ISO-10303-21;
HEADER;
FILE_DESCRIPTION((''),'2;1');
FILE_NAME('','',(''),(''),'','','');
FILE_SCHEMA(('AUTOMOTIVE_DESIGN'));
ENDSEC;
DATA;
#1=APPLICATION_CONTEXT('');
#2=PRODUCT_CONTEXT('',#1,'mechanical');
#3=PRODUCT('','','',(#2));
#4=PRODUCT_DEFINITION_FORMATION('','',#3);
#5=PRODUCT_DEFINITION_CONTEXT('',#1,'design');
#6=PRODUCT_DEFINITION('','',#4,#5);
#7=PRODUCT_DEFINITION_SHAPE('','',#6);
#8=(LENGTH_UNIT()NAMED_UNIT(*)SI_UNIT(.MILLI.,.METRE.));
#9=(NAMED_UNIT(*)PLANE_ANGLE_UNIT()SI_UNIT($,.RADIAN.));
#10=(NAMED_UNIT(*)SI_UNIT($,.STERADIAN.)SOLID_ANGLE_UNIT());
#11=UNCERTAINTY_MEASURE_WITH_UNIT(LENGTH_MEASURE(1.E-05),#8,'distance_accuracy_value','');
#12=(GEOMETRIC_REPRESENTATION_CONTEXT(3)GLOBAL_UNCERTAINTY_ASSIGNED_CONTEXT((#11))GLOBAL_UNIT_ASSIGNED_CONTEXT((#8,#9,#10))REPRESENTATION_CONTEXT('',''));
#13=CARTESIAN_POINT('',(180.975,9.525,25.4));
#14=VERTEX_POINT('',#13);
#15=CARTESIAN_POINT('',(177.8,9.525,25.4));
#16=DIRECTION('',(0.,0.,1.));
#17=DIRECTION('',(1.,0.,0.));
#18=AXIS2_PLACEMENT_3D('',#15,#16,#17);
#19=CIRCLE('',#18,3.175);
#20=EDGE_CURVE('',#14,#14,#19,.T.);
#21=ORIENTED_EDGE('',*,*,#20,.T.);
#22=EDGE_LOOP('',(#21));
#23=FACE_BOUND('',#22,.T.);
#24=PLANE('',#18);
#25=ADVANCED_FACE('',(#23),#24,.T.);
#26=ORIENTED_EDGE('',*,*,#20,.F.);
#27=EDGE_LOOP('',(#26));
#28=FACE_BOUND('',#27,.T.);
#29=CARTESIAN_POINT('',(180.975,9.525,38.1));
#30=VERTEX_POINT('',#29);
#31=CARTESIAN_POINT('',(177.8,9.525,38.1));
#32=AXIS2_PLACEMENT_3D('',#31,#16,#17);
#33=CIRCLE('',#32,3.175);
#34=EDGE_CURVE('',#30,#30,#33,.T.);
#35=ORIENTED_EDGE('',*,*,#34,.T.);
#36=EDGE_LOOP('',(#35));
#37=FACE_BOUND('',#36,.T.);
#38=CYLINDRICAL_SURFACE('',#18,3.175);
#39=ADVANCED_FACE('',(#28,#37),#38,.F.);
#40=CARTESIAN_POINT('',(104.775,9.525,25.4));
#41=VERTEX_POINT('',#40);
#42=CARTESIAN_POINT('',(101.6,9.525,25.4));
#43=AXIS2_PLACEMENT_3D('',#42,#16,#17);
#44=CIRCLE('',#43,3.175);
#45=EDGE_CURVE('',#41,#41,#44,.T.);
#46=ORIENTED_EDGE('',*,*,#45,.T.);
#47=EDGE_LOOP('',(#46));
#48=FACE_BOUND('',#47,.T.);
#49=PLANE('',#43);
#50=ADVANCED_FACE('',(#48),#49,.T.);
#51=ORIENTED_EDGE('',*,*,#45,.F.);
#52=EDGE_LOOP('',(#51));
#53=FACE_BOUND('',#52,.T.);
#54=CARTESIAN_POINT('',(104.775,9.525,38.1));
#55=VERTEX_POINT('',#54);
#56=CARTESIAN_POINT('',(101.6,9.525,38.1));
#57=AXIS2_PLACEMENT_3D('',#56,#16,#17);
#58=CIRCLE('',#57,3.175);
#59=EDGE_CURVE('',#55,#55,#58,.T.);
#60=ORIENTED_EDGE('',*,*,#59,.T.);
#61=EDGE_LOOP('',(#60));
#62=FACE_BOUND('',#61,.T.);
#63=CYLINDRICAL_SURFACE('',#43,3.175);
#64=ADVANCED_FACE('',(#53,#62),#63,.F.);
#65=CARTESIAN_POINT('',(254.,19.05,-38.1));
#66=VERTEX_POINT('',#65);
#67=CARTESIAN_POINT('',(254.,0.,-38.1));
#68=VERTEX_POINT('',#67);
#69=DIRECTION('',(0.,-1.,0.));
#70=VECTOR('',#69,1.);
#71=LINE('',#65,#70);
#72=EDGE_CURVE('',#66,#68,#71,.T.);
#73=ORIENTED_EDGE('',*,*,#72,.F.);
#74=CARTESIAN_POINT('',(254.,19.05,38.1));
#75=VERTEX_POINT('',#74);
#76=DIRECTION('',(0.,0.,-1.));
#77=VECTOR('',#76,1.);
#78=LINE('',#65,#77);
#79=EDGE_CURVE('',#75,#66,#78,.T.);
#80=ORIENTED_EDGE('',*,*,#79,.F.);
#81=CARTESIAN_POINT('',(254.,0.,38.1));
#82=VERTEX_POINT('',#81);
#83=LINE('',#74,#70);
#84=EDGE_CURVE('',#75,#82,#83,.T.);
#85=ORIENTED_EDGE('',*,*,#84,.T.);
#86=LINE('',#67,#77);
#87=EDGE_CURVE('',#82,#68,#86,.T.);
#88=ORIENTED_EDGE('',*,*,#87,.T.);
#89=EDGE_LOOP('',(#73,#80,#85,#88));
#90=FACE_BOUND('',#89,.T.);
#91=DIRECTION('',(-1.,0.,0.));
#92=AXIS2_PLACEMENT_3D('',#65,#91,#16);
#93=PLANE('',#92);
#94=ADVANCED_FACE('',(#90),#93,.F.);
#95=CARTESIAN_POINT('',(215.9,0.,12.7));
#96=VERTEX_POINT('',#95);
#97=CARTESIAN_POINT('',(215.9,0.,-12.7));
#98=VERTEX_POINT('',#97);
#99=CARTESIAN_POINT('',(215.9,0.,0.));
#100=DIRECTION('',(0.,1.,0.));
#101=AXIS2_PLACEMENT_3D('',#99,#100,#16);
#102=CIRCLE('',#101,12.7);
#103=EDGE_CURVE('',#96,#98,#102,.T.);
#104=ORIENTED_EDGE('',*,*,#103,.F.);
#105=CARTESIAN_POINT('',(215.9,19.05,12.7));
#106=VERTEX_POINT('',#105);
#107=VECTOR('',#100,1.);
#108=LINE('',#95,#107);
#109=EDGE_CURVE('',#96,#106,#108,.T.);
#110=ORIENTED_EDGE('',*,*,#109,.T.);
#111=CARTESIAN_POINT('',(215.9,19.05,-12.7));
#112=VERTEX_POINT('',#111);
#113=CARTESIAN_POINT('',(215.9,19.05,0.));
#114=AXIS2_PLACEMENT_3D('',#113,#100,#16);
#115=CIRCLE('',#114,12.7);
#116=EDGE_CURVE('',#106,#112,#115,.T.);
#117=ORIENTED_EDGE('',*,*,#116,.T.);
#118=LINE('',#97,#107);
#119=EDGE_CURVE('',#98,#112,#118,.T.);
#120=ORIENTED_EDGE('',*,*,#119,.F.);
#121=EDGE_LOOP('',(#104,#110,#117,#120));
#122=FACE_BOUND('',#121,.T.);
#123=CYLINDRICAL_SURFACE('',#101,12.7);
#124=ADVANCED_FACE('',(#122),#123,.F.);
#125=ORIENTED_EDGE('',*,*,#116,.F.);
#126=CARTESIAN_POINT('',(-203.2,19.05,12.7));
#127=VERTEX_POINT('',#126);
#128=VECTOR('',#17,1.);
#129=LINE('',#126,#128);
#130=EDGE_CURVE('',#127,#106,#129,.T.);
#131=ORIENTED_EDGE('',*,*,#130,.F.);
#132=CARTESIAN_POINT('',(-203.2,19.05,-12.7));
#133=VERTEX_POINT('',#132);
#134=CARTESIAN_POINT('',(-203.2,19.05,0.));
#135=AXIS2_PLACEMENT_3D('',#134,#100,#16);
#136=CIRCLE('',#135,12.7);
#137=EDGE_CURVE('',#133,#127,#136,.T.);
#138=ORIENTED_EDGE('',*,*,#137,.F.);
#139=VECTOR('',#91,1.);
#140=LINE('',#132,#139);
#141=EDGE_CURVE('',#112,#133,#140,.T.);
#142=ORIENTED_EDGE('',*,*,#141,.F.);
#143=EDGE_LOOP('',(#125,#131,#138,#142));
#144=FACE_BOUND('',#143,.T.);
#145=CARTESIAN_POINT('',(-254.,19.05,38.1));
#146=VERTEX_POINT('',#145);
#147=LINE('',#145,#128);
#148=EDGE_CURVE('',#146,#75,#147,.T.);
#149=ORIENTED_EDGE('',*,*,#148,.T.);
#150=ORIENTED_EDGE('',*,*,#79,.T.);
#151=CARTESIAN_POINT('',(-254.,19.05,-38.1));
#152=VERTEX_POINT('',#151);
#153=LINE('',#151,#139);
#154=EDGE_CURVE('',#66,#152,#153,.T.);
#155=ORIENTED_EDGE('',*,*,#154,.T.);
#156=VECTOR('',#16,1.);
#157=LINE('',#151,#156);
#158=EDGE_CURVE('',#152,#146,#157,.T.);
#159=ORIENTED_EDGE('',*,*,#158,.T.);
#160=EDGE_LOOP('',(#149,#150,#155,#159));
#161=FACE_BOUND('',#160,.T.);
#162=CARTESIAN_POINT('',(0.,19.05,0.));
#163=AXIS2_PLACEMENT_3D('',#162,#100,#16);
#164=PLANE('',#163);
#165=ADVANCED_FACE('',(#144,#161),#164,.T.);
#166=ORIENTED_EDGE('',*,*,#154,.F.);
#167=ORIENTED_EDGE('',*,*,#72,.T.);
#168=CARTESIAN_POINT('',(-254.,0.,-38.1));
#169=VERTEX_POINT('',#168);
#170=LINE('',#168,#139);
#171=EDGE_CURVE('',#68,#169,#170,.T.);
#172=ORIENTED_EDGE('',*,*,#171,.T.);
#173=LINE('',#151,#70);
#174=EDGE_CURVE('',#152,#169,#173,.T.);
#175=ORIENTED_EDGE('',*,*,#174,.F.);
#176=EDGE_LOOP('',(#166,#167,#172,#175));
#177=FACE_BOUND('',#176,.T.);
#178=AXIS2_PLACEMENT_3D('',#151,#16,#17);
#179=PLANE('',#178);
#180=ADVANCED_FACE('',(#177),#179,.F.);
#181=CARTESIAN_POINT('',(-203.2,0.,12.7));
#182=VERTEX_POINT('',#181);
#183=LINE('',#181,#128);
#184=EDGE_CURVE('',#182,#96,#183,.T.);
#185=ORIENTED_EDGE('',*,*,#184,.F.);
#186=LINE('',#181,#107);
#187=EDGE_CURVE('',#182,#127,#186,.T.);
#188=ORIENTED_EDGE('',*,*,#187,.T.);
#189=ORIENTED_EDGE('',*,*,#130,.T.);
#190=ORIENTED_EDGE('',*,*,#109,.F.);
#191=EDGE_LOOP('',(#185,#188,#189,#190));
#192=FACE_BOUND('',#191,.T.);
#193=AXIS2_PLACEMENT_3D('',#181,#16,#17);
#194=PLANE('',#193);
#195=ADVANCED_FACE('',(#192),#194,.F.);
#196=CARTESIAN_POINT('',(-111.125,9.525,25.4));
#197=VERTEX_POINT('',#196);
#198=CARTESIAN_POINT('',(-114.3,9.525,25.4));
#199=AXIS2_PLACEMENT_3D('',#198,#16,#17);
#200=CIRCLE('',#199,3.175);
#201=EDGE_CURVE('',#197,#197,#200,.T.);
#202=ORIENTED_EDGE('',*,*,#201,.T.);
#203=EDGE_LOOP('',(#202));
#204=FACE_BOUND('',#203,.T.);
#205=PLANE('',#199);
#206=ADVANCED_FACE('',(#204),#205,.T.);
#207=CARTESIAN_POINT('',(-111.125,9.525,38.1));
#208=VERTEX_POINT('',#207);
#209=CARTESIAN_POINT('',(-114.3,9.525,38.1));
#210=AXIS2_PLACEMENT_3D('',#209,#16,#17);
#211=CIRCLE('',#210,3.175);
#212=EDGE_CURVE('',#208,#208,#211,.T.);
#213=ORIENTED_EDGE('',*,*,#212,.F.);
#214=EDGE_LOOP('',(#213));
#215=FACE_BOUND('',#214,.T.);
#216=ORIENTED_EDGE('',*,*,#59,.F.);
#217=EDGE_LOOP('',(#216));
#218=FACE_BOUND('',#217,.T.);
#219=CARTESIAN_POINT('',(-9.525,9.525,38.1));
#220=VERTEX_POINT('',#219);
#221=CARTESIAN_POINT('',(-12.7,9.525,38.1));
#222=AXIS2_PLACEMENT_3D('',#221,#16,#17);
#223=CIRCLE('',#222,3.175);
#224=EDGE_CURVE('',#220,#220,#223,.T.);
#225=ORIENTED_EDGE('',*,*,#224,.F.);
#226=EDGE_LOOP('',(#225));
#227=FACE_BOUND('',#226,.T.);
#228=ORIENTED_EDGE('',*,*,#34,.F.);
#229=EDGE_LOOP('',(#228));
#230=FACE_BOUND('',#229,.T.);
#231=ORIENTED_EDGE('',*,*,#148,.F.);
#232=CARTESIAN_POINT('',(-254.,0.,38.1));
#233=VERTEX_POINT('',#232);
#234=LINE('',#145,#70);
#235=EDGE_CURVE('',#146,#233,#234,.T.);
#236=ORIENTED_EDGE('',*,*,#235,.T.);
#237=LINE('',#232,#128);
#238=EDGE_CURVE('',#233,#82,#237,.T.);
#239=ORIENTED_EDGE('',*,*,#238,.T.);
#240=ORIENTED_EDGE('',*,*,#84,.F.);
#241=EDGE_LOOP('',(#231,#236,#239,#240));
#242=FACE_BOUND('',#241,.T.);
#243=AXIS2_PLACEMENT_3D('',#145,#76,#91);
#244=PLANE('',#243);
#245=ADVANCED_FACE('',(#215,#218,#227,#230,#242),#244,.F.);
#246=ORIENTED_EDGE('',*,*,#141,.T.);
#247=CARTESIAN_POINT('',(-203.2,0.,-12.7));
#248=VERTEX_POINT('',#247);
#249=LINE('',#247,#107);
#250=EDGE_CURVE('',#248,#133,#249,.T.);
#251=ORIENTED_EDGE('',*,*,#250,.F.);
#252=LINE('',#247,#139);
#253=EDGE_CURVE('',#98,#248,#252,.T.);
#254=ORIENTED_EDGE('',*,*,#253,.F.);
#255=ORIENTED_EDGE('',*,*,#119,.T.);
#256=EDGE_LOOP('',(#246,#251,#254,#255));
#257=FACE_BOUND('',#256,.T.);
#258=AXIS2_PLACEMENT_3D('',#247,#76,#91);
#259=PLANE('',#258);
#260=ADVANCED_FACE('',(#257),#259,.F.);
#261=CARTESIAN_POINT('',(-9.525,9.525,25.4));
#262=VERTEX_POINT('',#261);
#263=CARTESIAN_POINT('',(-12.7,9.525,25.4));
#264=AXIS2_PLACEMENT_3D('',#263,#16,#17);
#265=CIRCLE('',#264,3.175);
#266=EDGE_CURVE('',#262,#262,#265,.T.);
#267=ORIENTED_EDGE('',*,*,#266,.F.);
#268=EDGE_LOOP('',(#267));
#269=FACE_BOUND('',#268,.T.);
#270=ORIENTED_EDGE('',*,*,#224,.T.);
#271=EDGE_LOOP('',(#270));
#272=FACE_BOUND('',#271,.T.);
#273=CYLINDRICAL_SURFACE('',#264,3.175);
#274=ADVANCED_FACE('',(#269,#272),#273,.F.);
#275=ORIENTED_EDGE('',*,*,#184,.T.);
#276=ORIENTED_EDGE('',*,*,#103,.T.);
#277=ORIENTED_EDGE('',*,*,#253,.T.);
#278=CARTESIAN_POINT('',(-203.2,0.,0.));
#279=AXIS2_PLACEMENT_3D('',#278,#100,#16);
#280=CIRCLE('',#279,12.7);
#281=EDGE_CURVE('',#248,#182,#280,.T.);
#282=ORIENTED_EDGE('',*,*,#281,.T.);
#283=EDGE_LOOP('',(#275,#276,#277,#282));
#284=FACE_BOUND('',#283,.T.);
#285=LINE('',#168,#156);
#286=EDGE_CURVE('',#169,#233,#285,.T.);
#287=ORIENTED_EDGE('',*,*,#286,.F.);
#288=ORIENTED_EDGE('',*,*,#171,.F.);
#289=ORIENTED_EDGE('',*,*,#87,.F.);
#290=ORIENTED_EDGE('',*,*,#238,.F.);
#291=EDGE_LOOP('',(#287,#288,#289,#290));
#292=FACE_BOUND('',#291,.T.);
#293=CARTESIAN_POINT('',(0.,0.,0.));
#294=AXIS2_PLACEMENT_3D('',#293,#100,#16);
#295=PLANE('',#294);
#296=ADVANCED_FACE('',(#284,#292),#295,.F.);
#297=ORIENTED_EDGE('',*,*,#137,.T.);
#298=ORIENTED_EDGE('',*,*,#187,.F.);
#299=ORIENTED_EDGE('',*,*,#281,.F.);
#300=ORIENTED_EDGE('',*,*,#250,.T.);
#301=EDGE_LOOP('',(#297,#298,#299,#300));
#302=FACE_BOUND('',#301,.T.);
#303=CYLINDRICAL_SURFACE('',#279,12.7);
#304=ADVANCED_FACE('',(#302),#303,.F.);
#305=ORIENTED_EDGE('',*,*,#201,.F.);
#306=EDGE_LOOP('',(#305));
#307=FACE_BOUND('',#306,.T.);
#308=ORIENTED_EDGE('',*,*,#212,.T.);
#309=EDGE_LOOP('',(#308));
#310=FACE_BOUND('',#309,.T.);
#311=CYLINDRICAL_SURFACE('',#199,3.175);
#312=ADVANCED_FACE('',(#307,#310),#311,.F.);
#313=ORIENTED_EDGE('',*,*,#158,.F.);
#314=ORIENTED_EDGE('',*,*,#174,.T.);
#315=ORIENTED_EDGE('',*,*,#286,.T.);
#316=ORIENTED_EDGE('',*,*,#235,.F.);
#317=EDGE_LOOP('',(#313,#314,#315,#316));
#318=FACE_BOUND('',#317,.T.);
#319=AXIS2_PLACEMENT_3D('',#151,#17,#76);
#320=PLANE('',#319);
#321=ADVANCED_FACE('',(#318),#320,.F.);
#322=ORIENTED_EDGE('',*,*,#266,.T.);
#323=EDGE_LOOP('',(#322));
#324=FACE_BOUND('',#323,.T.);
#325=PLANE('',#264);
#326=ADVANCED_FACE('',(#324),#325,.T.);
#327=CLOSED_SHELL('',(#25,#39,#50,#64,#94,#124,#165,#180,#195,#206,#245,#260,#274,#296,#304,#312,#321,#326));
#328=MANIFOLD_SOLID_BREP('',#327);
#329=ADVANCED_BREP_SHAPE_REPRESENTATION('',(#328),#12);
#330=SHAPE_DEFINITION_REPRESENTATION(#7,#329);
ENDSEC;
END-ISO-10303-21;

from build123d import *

# Parameters (mm, degrees)
SKETCH1_W           = 508
SKETCH1_H           = 76.2
BOSS_EXTRUDE1_DEPTH = 19.05
CUT_EXTRUDE1_DEPTH  = 20.05
SKETCH5_R           = 3.175
CUT_EXTRUDE3_DEPTH  = 12.7


with BuildPart() as part:
    # Sketch1 → Boss-Extrude1 (new body)
    with BuildSketch(Plane(origin=(0, 0, 0), x_dir=(1, 0, 0), z_dir=(0, 1, 0))):
        Rectangle(SKETCH1_W, SKETCH1_H)
    extrude(amount=BOSS_EXTRUDE1_DEPTH)

    # Sketch3 → Cut-Extrude1 (cut, through all)
    with BuildSketch(Plane(origin=(0, 19.05, 0), x_dir=(1, 0, 0), z_dir=(0, 1, 0))):
        with BuildLine():
            Line((-203.2, 12.7), (215.9, 12.7))
            ThreePointArc((215.9, 12.7), (228.6, 0), (215.9, -12.7))
            Line((215.9, -12.7), (-203.2, -12.7))
            ThreePointArc((-203.2, -12.7), (-215.9, 0), (-203.2, 12.7))
        make_face()
    extrude(amount=-CUT_EXTRUDE1_DEPTH, mode=Mode.SUBTRACT)

    # Sketch5 → Cut-Extrude3 (cut)
    with BuildSketch(Plane.XY.offset(38.1)):
        with Locations((-114.3, 9.525)):
            Circle(SKETCH5_R)
        with Locations((-12.7, 9.525)):
            Circle(SKETCH5_R)
        with Locations((101.6, 9.525)):
            Circle(SKETCH5_R)
        with Locations((177.8, 9.525)):
            Circle(SKETCH5_R)
    extrude(amount=-CUT_EXTRUDE3_DEPTH, mode=Mode.SUBTRACT)


solid = part.part
